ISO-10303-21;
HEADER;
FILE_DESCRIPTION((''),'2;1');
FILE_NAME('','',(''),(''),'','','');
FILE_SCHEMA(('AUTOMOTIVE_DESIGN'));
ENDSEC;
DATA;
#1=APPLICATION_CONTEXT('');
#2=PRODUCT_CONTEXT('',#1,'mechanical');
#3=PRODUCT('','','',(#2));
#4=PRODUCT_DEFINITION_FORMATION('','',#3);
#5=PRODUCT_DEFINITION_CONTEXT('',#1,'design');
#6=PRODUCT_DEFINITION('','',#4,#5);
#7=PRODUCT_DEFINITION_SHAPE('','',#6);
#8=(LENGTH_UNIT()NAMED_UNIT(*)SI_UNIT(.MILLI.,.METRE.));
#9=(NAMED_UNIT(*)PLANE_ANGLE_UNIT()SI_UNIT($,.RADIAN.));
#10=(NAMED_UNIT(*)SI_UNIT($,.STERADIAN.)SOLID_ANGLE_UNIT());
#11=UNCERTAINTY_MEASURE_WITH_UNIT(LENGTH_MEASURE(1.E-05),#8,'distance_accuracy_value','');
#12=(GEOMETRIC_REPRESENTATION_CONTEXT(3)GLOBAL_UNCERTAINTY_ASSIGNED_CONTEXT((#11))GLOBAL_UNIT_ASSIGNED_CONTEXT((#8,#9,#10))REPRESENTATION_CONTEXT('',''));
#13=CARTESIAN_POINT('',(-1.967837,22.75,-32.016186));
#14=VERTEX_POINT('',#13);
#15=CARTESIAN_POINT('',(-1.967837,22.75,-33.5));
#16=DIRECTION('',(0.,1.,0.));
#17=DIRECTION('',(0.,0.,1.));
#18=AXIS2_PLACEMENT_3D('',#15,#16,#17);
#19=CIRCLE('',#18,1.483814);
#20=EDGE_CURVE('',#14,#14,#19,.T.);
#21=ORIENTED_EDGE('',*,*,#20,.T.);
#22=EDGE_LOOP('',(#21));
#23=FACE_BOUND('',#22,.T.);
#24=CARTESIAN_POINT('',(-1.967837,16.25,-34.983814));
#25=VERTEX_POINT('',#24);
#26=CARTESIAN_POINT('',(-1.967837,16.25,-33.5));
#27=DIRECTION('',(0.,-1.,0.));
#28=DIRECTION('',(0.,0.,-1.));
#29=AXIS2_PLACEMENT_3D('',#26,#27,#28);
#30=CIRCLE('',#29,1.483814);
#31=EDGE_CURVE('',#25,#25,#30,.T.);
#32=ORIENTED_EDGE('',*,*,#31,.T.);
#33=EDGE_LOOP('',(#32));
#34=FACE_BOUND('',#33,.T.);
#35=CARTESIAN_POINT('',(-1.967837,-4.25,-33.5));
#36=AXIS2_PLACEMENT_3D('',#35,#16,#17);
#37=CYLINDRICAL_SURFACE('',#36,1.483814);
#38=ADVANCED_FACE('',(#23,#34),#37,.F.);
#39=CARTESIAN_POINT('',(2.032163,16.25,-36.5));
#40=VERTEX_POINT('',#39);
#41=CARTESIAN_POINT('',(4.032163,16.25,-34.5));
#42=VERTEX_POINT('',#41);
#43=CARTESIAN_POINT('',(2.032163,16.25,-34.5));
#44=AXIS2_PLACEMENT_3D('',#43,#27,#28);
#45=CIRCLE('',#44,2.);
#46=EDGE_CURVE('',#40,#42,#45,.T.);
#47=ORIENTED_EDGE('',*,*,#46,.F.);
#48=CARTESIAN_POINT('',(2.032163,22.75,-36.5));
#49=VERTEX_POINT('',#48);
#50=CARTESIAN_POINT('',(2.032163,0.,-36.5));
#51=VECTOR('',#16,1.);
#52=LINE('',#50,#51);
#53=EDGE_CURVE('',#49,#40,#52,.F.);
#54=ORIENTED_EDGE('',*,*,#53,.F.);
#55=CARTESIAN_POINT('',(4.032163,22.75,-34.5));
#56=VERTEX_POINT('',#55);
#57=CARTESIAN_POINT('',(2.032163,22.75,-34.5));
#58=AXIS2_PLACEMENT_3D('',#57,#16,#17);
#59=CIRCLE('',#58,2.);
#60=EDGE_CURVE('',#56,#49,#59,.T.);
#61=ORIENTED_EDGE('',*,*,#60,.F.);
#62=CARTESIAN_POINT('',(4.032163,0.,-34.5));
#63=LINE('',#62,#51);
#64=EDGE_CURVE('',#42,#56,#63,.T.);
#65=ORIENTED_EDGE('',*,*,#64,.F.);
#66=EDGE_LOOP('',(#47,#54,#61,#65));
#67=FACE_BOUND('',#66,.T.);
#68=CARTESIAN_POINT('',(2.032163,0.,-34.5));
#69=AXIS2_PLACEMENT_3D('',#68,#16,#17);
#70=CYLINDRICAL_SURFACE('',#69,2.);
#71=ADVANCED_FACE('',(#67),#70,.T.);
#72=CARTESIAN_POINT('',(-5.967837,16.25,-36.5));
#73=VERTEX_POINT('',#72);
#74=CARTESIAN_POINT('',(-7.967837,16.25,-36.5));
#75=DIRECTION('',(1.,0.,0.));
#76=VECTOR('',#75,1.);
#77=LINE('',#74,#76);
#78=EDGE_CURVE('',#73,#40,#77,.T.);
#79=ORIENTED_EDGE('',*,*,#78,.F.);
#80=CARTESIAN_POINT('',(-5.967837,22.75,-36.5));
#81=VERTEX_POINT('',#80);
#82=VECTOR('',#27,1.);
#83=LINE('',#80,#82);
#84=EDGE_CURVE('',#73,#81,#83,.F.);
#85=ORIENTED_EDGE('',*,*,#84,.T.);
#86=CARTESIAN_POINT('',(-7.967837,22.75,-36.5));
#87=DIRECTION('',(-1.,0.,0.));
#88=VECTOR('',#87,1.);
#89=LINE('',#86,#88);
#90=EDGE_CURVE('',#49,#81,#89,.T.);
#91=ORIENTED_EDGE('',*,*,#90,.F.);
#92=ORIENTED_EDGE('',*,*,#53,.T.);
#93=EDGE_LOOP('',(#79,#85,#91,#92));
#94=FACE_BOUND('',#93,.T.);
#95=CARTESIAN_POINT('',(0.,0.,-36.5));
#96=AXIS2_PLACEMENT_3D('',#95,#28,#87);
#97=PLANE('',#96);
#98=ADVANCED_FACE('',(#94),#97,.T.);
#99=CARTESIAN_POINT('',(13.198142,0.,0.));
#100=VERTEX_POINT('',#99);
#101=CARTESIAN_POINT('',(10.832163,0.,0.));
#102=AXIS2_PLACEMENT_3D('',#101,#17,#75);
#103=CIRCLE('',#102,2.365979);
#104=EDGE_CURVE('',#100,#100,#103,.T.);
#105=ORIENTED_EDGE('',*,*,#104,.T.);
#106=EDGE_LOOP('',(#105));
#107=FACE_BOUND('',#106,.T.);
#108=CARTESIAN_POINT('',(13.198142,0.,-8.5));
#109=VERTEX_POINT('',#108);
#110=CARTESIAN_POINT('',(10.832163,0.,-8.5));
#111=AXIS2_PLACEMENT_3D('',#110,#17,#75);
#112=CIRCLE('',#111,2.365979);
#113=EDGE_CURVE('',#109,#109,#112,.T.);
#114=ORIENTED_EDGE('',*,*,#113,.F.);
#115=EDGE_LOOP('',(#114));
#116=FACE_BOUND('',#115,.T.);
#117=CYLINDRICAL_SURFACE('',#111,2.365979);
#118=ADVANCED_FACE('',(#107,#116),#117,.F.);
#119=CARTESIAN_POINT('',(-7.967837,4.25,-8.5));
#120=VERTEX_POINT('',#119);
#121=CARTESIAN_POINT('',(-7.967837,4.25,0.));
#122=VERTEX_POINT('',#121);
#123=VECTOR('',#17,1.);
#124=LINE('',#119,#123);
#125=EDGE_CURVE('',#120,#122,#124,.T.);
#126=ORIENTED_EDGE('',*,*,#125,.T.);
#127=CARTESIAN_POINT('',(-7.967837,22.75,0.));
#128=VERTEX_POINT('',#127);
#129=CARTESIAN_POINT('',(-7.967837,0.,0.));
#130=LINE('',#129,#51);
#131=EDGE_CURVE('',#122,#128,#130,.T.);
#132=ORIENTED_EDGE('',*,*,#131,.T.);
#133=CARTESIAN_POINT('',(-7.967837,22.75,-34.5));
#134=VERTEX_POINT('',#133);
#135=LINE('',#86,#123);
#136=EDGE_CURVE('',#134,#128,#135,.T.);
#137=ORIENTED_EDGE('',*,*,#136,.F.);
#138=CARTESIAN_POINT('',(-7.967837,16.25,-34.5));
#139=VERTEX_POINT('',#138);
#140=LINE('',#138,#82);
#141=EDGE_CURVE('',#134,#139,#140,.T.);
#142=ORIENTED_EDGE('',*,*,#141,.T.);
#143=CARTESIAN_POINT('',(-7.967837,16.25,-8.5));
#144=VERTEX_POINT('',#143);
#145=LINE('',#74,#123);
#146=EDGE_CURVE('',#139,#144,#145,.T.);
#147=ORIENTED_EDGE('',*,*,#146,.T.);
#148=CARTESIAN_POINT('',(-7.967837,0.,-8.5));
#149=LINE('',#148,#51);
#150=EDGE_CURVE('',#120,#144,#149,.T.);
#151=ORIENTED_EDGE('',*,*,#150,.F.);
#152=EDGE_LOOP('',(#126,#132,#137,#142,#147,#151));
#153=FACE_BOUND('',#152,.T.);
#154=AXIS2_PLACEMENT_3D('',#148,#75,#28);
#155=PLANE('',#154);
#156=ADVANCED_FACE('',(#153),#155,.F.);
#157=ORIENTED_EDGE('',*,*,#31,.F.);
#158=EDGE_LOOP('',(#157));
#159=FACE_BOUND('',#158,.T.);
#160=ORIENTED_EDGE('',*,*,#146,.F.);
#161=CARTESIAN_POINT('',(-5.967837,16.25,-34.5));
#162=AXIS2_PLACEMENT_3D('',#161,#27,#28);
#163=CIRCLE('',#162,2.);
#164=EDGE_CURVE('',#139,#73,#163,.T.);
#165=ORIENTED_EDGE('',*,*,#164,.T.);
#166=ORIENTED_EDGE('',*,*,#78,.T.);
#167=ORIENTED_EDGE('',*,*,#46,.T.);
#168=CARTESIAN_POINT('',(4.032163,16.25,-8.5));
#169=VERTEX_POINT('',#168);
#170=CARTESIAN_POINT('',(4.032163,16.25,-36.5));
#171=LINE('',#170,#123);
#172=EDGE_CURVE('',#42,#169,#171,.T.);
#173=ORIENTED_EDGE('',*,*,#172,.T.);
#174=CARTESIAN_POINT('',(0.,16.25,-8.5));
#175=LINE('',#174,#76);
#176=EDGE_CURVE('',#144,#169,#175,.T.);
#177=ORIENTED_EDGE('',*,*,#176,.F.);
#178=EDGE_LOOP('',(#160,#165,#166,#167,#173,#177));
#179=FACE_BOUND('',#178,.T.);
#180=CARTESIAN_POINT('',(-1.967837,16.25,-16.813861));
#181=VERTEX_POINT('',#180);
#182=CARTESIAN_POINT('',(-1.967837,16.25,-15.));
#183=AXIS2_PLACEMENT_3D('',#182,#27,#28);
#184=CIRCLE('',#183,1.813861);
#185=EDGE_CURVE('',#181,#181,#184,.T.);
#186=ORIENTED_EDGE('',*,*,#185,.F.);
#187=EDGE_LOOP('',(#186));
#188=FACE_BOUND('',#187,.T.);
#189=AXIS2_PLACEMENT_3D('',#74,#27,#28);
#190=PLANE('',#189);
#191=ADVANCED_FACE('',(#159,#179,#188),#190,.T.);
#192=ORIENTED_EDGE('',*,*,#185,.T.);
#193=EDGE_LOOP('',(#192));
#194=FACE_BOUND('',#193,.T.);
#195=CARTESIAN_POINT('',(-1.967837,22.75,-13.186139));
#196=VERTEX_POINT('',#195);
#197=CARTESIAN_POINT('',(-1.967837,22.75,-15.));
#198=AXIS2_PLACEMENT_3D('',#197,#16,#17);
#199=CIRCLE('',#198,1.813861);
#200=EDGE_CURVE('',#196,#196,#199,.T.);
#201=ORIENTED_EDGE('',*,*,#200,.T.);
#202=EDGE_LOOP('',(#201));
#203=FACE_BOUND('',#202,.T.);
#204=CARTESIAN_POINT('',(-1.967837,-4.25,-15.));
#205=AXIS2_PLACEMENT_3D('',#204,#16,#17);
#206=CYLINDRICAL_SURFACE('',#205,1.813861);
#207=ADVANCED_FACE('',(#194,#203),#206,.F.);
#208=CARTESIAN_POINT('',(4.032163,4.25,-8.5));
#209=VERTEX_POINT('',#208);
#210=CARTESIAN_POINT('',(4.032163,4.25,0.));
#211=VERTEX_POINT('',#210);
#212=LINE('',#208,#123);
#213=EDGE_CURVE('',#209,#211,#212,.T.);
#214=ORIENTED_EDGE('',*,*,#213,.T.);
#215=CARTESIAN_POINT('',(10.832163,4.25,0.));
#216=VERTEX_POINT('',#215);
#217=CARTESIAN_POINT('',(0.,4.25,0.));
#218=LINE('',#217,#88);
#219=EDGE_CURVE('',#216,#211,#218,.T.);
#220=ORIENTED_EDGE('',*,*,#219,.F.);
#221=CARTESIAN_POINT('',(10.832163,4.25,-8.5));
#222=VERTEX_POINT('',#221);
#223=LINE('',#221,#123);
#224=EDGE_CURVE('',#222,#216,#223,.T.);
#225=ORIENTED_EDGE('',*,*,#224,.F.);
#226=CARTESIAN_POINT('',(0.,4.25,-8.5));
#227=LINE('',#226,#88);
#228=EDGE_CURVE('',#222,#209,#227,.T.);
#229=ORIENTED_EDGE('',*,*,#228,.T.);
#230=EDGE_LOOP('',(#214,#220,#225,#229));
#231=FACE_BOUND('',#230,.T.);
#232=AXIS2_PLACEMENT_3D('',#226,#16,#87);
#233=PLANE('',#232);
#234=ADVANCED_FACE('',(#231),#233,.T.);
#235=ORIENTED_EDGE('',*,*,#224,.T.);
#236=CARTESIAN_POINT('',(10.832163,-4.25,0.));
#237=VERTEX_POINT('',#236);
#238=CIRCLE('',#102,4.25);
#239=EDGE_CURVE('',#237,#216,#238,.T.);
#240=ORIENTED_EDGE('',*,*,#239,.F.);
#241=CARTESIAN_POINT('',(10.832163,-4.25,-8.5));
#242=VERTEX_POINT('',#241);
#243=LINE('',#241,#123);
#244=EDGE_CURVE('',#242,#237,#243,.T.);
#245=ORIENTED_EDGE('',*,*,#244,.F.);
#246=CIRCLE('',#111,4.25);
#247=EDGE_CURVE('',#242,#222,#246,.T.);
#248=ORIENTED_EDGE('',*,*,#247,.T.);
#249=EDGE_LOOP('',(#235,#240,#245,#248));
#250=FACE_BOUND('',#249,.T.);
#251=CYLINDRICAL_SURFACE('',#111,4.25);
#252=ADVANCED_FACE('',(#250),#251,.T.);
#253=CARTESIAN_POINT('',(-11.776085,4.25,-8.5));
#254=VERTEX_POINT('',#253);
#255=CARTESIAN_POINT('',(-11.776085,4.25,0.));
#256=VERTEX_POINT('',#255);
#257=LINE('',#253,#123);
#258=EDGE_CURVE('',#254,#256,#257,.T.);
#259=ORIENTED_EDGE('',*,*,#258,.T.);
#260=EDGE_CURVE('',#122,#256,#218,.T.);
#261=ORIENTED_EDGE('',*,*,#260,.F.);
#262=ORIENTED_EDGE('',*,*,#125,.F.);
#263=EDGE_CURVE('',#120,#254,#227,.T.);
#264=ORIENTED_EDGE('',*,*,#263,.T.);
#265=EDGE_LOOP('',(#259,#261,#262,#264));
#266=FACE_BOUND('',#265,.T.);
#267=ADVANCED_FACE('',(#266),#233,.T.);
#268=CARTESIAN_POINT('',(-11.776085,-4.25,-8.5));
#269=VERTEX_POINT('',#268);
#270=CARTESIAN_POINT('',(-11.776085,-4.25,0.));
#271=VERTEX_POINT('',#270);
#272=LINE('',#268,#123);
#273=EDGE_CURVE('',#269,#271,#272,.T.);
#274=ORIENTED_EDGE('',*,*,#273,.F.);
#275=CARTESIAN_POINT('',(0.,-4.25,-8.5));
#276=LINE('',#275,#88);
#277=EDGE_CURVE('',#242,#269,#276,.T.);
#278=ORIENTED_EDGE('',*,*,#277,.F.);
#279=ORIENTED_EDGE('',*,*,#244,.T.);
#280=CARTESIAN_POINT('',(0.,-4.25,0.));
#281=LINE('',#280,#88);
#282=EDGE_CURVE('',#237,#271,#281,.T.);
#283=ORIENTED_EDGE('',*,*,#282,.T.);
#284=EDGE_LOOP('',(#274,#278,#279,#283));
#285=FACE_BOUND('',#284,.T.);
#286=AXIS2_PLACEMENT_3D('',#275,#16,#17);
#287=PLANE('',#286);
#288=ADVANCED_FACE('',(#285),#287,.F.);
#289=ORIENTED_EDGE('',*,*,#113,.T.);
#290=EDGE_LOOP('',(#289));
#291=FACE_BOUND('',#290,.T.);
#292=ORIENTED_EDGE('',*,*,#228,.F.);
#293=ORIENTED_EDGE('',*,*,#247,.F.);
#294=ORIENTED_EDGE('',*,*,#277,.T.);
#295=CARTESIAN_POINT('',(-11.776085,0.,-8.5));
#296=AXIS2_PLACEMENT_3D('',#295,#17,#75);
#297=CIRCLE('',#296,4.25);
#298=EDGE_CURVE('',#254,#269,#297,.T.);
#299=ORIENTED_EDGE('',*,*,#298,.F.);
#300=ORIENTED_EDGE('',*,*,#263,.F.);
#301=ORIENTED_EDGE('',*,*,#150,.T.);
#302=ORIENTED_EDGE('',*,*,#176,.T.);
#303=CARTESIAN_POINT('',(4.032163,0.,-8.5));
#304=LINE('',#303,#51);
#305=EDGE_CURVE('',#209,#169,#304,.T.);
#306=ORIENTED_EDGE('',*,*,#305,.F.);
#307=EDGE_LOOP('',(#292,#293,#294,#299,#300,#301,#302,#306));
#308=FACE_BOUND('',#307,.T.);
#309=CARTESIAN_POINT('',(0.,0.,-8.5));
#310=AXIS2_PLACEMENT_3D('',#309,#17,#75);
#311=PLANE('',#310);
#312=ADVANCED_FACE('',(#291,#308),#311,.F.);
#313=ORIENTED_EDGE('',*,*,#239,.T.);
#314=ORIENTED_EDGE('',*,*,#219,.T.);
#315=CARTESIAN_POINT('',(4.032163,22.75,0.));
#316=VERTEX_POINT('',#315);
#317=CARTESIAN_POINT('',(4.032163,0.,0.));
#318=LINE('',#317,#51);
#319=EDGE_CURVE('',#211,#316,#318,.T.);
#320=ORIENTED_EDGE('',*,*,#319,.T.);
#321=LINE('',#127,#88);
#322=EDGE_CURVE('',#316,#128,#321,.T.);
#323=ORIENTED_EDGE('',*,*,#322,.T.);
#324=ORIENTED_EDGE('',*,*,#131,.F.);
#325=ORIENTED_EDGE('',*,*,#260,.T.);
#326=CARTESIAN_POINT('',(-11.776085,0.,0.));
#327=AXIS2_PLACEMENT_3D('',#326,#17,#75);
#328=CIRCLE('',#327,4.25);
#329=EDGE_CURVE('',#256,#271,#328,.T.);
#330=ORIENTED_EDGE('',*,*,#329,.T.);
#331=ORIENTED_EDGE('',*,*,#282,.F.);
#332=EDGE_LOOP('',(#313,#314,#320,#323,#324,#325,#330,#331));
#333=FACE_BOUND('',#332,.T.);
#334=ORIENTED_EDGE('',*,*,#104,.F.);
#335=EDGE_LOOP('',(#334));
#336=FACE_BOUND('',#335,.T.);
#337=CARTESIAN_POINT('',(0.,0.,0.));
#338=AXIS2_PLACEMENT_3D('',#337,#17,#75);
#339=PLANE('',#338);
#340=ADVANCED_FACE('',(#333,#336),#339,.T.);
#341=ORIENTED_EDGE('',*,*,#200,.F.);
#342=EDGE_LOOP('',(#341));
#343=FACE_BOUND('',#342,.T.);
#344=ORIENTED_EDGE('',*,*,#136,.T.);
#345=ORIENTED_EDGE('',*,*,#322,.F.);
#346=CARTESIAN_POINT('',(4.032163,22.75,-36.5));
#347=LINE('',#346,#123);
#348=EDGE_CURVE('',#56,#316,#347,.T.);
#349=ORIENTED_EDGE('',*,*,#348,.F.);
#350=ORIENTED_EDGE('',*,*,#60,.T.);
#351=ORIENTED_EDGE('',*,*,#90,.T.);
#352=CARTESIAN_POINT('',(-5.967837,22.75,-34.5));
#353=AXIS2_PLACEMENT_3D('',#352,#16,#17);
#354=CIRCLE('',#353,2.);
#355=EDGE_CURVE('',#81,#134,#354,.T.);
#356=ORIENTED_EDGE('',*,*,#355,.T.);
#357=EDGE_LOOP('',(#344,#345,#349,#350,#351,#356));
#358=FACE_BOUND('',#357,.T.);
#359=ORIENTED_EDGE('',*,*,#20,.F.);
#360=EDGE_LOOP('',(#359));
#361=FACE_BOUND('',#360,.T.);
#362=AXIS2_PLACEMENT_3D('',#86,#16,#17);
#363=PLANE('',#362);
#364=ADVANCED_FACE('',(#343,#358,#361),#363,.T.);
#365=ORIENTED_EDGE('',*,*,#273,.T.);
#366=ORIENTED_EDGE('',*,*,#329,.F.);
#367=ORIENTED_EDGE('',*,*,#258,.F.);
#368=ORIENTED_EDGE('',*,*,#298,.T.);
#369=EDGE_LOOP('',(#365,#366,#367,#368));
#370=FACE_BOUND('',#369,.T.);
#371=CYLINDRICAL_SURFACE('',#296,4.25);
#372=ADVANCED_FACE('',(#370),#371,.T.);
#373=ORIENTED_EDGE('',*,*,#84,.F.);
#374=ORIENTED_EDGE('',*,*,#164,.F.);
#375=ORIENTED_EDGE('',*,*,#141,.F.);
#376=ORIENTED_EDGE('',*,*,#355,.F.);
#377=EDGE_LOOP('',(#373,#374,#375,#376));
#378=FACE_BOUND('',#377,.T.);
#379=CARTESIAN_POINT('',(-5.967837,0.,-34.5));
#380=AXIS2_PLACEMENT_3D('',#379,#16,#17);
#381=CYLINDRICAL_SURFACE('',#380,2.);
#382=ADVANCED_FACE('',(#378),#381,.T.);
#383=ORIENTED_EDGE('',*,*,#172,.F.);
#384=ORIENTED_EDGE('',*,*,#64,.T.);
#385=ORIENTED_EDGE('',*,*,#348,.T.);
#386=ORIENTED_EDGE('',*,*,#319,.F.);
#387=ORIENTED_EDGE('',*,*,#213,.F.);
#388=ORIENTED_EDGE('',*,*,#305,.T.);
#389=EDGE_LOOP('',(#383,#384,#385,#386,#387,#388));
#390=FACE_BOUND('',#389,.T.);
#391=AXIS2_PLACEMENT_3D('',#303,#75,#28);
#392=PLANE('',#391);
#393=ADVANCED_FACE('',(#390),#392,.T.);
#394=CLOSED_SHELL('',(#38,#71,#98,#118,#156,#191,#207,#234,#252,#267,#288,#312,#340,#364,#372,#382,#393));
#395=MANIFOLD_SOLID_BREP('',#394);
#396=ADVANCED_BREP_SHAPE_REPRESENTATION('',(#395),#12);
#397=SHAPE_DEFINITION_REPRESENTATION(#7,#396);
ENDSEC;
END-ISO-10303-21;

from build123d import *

# Parameters (mm, degrees)
SKETCH_1_R          = 2.365979381
EXTRUDE_1_DEPTH     = 8.5
SKETCH_3_W          = 12
SKETCH_3_H          = 6.5
EXTRUDE_3_DEPTH     = 36.5
SKETCH_4_R          = 1.483814058
SKETCH_4_R_2        = 1.813860949
CUT_EXTRUDE_1_DEPTH = 49.146499311
FILLET_1_R          = 2


with BuildPart() as part:
    # 草圖1 → 填料-伸長1 (new body)
    with BuildSketch(Plane.XY):
        with BuildLine():
            Line((10.832162564, -4.25), (-11.776084859, -4.25))
            ThreePointArc((-11.776084859, -4.25), (-16.026084859, 0), (-11.776084859, 4.25))
            Line((-11.776084859, 4.25), (-7.967837436, 4.25))
            Line((-7.967837436, 4.25), (-7.967837436, 16.25))
            Line((-7.967837436, 16.25), (4.032162564, 16.25))
            Line((4.032162564, 16.25), (4.032162564, 4.25))
            Line((4.032162564, 4.25), (10.832162564, 4.25))
            ThreePointArc((10.832162564, 4.25), (15.082162564, 0), (10.832162564, -4.25))
        make_face()
        with Locations((10.832162564, 0)):
            Circle(SKETCH_1_R, mode=Mode.SUBTRACT)
    extrude(amount=-EXTRUDE_1_DEPTH)

    # 草圖3 → 填料-伸長3 (add)
    with BuildSketch(Plane.XY):
        with Locations((-1.967837436, 19.5)):
            Rectangle(SKETCH_3_W, SKETCH_3_H)
    extrude(amount=-EXTRUDE_3_DEPTH)

    # 草圖4 → 除料-伸長1 (cut, through all)
    with BuildSketch(Plane(origin=(0, 22.75, 0), x_dir=(1, 0, 0), z_dir=(0, 1, 0))):
        with Locations(Location((-1.967837436, 33.5, 0), (0, 0, 270))):
            Circle(SKETCH_4_R)
        with Locations(Location((-1.967837436, 15, 0), (0, 0, 270))):
            Circle(SKETCH_4_R_2)
    extrude(amount=-CUT_EXTRUDE_1_DEPTH, mode=Mode.SUBTRACT)

    # 圓角1
    fillet_1_edges = [part.edges().sort_by_distance(p)[0] for p in [
        (-7.967837436, 19.5, -36.5),
        (4.032162564, 19.5, -36.5),
    ]]
    fillet(fillet_1_edges, radius=FILLET_1_R)


solid = part.part
